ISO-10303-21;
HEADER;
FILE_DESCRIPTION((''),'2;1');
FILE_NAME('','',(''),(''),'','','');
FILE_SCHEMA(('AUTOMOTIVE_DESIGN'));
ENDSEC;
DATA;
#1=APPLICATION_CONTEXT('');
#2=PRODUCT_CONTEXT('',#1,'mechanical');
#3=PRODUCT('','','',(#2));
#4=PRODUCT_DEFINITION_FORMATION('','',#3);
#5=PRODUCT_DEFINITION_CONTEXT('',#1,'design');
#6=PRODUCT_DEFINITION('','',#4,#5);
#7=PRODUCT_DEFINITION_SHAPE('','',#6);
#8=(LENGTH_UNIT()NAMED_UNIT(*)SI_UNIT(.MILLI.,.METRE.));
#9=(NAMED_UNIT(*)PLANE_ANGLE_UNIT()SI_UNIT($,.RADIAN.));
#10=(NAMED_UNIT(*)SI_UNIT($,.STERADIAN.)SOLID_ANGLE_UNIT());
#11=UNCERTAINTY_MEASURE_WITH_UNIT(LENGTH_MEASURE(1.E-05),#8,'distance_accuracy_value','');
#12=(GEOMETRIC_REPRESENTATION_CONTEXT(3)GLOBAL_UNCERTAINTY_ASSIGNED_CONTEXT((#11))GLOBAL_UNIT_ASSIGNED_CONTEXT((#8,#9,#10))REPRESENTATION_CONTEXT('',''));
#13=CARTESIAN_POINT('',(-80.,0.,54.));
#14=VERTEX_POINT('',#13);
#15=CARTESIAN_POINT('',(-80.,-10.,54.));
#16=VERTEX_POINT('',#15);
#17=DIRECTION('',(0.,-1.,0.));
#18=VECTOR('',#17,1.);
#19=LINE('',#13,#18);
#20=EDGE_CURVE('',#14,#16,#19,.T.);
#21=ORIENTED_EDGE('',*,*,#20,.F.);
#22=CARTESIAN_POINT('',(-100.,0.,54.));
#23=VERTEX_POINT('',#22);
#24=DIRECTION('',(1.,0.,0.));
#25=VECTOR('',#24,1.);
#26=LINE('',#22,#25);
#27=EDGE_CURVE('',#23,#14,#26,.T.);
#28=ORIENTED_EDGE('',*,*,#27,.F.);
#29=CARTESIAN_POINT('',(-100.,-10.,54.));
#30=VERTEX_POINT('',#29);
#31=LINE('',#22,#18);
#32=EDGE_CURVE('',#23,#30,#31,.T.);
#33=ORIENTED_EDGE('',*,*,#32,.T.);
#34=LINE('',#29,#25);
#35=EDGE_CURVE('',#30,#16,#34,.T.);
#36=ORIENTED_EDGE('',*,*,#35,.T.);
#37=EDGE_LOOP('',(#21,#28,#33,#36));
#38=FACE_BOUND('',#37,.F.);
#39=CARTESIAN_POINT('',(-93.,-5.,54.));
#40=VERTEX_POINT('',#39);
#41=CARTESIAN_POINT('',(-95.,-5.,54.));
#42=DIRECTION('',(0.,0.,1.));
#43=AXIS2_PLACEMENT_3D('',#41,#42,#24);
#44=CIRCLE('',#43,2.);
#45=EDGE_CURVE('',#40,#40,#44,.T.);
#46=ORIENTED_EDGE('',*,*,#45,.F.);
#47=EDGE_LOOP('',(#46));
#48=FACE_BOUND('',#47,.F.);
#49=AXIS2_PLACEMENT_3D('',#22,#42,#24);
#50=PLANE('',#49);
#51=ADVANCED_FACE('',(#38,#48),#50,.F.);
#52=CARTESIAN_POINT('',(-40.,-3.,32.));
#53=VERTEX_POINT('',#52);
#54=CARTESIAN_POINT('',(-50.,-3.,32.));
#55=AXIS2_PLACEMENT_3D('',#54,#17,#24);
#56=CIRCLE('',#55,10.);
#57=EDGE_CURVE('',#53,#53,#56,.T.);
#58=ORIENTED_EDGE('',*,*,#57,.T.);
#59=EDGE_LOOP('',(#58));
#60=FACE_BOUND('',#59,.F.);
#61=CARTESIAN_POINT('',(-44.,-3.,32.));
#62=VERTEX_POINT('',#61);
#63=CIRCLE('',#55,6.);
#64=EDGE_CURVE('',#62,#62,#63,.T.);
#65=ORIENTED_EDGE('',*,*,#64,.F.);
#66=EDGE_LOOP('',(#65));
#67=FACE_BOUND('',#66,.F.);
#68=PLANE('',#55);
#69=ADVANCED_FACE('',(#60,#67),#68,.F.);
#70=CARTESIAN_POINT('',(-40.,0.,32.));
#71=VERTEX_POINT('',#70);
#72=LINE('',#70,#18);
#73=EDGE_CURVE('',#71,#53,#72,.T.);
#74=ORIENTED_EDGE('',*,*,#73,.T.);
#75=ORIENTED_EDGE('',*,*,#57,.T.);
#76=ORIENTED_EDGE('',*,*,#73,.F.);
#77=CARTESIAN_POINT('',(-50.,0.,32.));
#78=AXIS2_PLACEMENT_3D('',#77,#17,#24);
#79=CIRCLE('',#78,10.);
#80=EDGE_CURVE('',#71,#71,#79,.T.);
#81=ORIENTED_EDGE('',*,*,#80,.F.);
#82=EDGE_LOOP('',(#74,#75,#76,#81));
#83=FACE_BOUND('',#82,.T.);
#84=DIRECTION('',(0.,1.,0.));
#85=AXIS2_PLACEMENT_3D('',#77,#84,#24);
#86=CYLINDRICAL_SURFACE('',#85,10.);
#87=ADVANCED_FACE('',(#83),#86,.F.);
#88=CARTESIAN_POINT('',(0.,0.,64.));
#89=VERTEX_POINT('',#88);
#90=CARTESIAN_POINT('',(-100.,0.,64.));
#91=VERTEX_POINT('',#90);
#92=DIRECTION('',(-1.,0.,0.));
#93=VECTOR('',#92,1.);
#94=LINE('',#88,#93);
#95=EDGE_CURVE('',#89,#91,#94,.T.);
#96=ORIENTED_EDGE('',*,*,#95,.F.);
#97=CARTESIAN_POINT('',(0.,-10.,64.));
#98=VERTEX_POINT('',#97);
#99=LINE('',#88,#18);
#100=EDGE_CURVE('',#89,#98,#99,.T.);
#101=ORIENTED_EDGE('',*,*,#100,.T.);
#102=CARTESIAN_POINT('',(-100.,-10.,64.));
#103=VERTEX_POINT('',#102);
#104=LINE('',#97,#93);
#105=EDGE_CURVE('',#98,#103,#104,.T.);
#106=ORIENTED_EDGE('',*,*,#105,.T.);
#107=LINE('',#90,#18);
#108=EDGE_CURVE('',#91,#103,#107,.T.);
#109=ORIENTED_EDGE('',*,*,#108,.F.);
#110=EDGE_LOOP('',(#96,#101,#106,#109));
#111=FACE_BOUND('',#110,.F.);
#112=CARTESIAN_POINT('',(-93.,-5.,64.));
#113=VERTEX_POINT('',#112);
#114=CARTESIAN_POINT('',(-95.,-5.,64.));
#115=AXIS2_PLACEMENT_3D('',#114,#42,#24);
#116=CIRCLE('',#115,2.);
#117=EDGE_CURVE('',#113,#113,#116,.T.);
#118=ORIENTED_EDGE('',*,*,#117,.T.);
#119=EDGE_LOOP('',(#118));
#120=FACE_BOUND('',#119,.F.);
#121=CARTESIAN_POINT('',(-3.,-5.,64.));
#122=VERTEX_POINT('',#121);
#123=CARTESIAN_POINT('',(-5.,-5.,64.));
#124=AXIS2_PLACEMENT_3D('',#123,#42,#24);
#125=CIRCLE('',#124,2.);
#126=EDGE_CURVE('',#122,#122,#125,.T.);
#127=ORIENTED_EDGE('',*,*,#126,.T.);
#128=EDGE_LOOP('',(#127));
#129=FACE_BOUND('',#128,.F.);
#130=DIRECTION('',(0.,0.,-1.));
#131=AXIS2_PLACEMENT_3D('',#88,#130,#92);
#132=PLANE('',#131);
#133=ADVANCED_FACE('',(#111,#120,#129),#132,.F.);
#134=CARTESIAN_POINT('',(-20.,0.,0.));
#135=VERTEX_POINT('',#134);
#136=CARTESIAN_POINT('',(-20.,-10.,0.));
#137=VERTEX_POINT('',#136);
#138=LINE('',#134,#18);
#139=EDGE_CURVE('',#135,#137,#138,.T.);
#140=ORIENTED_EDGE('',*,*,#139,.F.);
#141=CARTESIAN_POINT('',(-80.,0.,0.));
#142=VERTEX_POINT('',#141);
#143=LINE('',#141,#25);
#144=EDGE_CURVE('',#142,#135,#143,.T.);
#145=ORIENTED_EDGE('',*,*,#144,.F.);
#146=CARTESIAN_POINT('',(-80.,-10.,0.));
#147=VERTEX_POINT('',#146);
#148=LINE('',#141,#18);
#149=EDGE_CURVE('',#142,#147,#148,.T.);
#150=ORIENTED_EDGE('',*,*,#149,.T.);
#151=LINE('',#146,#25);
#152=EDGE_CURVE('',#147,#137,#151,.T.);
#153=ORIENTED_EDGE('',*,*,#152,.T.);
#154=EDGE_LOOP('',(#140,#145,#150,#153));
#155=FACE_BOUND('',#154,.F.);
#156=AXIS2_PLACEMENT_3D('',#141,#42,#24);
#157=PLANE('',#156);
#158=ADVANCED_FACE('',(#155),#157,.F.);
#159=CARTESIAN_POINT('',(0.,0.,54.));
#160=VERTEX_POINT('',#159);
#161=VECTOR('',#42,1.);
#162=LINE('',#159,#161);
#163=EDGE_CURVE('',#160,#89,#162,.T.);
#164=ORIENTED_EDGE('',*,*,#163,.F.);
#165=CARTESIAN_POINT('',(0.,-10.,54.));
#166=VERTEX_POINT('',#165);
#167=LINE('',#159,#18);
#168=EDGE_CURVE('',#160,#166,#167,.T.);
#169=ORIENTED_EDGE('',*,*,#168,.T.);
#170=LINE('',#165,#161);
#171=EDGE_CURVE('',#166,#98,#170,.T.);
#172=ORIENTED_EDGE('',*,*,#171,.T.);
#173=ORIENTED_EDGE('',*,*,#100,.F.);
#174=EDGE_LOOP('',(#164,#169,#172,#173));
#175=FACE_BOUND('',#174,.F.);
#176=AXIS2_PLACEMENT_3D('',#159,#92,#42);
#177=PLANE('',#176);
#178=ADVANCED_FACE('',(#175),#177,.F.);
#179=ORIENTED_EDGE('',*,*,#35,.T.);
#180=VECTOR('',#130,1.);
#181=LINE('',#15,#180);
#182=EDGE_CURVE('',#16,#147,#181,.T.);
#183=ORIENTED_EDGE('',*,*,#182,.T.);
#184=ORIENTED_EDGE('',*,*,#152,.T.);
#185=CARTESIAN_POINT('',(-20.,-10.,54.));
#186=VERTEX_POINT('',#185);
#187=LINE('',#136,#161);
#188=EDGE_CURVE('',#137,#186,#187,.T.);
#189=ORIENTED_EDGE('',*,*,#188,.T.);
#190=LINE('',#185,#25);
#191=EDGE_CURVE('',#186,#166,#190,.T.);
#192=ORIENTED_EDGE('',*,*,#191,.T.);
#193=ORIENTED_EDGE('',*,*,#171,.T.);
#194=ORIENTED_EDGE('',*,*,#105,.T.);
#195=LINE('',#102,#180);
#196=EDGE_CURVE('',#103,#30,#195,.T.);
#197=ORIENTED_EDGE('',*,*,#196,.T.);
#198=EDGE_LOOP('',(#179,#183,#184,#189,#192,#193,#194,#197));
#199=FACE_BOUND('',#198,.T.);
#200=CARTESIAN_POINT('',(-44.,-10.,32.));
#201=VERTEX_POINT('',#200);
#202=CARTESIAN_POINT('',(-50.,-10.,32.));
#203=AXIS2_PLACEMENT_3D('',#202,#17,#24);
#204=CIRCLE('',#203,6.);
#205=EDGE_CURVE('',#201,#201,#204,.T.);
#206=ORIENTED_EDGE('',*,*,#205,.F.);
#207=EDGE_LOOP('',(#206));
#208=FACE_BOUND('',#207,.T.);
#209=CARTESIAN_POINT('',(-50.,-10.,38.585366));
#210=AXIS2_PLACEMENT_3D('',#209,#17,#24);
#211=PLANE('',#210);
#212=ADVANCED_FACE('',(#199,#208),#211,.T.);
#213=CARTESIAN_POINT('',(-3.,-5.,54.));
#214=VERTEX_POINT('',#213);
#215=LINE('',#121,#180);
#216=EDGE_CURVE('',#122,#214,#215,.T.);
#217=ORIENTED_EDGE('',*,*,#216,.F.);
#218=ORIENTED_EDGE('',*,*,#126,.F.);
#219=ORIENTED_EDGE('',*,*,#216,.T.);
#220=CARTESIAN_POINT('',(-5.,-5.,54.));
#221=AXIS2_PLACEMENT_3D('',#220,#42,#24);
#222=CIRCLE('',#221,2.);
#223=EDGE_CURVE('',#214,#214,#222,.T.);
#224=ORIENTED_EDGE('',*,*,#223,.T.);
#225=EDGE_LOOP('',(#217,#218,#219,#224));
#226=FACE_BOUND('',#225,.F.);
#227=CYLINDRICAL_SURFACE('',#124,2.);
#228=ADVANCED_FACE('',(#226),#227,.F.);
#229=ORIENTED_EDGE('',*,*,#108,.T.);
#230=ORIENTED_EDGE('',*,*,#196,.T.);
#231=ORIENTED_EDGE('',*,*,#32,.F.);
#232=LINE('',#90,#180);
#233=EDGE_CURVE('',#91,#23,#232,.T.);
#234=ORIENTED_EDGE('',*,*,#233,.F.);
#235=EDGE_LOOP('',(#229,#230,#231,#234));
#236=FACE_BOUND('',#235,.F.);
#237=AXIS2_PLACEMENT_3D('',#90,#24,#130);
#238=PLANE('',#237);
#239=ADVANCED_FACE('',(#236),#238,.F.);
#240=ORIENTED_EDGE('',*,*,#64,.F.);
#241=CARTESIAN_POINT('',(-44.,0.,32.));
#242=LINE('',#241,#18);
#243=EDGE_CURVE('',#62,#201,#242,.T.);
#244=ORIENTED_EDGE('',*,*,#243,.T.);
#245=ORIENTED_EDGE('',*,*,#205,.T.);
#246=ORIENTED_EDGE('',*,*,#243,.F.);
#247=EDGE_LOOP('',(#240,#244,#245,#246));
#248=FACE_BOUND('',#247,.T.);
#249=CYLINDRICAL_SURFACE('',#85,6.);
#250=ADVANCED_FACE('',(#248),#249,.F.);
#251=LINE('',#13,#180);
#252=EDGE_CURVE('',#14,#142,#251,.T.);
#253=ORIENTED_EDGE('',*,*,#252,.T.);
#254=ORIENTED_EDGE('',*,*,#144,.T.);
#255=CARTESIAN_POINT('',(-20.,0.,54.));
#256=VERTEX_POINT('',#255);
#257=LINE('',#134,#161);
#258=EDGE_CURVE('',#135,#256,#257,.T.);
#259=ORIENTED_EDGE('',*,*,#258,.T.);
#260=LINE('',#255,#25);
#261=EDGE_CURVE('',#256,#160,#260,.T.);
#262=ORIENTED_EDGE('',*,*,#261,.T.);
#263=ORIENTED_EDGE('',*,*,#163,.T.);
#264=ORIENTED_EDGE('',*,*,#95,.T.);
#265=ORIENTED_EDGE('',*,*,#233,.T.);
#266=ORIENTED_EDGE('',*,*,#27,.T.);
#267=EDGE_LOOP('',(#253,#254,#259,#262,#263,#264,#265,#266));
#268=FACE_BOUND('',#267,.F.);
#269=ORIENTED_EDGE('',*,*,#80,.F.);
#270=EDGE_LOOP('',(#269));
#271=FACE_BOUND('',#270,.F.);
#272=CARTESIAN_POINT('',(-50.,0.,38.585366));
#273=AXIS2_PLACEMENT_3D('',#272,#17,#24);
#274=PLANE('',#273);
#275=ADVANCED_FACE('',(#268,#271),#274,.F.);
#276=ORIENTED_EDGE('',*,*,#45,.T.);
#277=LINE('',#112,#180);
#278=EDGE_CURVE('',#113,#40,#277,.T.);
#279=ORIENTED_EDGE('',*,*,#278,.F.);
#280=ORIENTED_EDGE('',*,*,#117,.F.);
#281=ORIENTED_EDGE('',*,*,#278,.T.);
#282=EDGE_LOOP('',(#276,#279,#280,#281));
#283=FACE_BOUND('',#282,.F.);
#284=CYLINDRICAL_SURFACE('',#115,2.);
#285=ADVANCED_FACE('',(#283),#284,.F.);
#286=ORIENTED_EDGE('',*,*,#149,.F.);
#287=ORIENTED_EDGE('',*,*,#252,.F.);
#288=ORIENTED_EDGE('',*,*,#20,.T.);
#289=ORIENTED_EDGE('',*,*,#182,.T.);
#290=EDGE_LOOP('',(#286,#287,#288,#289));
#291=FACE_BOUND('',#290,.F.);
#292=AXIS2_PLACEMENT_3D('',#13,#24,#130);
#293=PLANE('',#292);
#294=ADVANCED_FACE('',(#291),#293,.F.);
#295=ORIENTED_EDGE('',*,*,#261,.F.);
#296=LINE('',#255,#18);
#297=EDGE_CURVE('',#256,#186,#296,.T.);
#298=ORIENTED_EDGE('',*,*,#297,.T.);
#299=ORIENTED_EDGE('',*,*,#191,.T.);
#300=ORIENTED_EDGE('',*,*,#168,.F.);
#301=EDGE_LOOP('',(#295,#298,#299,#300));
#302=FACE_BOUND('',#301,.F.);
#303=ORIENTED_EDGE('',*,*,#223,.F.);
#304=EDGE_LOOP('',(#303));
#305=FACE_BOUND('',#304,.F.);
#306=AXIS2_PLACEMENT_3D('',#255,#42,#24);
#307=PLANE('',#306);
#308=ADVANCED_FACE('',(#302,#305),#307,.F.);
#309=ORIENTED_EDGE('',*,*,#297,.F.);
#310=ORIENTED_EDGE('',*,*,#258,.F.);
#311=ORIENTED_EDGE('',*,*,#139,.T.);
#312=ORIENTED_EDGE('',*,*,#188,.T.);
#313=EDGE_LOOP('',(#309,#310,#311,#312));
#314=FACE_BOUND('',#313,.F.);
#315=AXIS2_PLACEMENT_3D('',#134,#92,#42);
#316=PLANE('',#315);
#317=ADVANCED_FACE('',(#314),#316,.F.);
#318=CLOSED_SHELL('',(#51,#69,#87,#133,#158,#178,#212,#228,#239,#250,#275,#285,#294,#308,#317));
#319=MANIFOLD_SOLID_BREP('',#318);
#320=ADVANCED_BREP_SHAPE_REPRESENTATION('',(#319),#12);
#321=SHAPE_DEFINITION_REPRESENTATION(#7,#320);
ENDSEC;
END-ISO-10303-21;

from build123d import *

# Parameters (mm, degrees)
F0_R     = 10
F0_R_2   = 6
F1_DEPTH = 10
F2_R     = 2
F3_DEPTH = 64.001
F4_DEPTH = 3


with BuildPart() as f1:
    # F0 (on Front) → F1 (new body)
    with BuildSketch(Plane.XZ):
        Polygon((0, 64), (-100, 64), (-100, 54), (-80, 54), (-80, 0), (-20, 0), (-20, 54), (0, 54), align=None)
        with Locations((-50, 32)):
            Circle(F0_R, mode=Mode.SUBTRACT)
        with Locations((-50, 32)):
            Circle(F0_R)
        with Locations((-50, 32)):
            Circle(F0_R_2, mode=Mode.SUBTRACT)
    extrude(amount=F1_DEPTH)

    # F2 (on face) → F3 (cut, through all)
    with BuildSketch(Plane.XY.offset(64)):
        with Locations((-95, -5)):
            Circle(F2_R)
        with Locations((-5, -5)):
            Circle(F2_R)
    extrude(amount=-F3_DEPTH, mode=Mode.SUBTRACT)

    # F0 (on Front) → F4 (cut)
    with BuildSketch(Plane.XZ):
        with Locations((-50, 32)):
            Circle(F0_R)
        with Locations((-50, 32)):
            Circle(F0_R_2, mode=Mode.SUBTRACT)
    extrude(amount=F4_DEPTH, mode=Mode.SUBTRACT)


solid = f1.part
